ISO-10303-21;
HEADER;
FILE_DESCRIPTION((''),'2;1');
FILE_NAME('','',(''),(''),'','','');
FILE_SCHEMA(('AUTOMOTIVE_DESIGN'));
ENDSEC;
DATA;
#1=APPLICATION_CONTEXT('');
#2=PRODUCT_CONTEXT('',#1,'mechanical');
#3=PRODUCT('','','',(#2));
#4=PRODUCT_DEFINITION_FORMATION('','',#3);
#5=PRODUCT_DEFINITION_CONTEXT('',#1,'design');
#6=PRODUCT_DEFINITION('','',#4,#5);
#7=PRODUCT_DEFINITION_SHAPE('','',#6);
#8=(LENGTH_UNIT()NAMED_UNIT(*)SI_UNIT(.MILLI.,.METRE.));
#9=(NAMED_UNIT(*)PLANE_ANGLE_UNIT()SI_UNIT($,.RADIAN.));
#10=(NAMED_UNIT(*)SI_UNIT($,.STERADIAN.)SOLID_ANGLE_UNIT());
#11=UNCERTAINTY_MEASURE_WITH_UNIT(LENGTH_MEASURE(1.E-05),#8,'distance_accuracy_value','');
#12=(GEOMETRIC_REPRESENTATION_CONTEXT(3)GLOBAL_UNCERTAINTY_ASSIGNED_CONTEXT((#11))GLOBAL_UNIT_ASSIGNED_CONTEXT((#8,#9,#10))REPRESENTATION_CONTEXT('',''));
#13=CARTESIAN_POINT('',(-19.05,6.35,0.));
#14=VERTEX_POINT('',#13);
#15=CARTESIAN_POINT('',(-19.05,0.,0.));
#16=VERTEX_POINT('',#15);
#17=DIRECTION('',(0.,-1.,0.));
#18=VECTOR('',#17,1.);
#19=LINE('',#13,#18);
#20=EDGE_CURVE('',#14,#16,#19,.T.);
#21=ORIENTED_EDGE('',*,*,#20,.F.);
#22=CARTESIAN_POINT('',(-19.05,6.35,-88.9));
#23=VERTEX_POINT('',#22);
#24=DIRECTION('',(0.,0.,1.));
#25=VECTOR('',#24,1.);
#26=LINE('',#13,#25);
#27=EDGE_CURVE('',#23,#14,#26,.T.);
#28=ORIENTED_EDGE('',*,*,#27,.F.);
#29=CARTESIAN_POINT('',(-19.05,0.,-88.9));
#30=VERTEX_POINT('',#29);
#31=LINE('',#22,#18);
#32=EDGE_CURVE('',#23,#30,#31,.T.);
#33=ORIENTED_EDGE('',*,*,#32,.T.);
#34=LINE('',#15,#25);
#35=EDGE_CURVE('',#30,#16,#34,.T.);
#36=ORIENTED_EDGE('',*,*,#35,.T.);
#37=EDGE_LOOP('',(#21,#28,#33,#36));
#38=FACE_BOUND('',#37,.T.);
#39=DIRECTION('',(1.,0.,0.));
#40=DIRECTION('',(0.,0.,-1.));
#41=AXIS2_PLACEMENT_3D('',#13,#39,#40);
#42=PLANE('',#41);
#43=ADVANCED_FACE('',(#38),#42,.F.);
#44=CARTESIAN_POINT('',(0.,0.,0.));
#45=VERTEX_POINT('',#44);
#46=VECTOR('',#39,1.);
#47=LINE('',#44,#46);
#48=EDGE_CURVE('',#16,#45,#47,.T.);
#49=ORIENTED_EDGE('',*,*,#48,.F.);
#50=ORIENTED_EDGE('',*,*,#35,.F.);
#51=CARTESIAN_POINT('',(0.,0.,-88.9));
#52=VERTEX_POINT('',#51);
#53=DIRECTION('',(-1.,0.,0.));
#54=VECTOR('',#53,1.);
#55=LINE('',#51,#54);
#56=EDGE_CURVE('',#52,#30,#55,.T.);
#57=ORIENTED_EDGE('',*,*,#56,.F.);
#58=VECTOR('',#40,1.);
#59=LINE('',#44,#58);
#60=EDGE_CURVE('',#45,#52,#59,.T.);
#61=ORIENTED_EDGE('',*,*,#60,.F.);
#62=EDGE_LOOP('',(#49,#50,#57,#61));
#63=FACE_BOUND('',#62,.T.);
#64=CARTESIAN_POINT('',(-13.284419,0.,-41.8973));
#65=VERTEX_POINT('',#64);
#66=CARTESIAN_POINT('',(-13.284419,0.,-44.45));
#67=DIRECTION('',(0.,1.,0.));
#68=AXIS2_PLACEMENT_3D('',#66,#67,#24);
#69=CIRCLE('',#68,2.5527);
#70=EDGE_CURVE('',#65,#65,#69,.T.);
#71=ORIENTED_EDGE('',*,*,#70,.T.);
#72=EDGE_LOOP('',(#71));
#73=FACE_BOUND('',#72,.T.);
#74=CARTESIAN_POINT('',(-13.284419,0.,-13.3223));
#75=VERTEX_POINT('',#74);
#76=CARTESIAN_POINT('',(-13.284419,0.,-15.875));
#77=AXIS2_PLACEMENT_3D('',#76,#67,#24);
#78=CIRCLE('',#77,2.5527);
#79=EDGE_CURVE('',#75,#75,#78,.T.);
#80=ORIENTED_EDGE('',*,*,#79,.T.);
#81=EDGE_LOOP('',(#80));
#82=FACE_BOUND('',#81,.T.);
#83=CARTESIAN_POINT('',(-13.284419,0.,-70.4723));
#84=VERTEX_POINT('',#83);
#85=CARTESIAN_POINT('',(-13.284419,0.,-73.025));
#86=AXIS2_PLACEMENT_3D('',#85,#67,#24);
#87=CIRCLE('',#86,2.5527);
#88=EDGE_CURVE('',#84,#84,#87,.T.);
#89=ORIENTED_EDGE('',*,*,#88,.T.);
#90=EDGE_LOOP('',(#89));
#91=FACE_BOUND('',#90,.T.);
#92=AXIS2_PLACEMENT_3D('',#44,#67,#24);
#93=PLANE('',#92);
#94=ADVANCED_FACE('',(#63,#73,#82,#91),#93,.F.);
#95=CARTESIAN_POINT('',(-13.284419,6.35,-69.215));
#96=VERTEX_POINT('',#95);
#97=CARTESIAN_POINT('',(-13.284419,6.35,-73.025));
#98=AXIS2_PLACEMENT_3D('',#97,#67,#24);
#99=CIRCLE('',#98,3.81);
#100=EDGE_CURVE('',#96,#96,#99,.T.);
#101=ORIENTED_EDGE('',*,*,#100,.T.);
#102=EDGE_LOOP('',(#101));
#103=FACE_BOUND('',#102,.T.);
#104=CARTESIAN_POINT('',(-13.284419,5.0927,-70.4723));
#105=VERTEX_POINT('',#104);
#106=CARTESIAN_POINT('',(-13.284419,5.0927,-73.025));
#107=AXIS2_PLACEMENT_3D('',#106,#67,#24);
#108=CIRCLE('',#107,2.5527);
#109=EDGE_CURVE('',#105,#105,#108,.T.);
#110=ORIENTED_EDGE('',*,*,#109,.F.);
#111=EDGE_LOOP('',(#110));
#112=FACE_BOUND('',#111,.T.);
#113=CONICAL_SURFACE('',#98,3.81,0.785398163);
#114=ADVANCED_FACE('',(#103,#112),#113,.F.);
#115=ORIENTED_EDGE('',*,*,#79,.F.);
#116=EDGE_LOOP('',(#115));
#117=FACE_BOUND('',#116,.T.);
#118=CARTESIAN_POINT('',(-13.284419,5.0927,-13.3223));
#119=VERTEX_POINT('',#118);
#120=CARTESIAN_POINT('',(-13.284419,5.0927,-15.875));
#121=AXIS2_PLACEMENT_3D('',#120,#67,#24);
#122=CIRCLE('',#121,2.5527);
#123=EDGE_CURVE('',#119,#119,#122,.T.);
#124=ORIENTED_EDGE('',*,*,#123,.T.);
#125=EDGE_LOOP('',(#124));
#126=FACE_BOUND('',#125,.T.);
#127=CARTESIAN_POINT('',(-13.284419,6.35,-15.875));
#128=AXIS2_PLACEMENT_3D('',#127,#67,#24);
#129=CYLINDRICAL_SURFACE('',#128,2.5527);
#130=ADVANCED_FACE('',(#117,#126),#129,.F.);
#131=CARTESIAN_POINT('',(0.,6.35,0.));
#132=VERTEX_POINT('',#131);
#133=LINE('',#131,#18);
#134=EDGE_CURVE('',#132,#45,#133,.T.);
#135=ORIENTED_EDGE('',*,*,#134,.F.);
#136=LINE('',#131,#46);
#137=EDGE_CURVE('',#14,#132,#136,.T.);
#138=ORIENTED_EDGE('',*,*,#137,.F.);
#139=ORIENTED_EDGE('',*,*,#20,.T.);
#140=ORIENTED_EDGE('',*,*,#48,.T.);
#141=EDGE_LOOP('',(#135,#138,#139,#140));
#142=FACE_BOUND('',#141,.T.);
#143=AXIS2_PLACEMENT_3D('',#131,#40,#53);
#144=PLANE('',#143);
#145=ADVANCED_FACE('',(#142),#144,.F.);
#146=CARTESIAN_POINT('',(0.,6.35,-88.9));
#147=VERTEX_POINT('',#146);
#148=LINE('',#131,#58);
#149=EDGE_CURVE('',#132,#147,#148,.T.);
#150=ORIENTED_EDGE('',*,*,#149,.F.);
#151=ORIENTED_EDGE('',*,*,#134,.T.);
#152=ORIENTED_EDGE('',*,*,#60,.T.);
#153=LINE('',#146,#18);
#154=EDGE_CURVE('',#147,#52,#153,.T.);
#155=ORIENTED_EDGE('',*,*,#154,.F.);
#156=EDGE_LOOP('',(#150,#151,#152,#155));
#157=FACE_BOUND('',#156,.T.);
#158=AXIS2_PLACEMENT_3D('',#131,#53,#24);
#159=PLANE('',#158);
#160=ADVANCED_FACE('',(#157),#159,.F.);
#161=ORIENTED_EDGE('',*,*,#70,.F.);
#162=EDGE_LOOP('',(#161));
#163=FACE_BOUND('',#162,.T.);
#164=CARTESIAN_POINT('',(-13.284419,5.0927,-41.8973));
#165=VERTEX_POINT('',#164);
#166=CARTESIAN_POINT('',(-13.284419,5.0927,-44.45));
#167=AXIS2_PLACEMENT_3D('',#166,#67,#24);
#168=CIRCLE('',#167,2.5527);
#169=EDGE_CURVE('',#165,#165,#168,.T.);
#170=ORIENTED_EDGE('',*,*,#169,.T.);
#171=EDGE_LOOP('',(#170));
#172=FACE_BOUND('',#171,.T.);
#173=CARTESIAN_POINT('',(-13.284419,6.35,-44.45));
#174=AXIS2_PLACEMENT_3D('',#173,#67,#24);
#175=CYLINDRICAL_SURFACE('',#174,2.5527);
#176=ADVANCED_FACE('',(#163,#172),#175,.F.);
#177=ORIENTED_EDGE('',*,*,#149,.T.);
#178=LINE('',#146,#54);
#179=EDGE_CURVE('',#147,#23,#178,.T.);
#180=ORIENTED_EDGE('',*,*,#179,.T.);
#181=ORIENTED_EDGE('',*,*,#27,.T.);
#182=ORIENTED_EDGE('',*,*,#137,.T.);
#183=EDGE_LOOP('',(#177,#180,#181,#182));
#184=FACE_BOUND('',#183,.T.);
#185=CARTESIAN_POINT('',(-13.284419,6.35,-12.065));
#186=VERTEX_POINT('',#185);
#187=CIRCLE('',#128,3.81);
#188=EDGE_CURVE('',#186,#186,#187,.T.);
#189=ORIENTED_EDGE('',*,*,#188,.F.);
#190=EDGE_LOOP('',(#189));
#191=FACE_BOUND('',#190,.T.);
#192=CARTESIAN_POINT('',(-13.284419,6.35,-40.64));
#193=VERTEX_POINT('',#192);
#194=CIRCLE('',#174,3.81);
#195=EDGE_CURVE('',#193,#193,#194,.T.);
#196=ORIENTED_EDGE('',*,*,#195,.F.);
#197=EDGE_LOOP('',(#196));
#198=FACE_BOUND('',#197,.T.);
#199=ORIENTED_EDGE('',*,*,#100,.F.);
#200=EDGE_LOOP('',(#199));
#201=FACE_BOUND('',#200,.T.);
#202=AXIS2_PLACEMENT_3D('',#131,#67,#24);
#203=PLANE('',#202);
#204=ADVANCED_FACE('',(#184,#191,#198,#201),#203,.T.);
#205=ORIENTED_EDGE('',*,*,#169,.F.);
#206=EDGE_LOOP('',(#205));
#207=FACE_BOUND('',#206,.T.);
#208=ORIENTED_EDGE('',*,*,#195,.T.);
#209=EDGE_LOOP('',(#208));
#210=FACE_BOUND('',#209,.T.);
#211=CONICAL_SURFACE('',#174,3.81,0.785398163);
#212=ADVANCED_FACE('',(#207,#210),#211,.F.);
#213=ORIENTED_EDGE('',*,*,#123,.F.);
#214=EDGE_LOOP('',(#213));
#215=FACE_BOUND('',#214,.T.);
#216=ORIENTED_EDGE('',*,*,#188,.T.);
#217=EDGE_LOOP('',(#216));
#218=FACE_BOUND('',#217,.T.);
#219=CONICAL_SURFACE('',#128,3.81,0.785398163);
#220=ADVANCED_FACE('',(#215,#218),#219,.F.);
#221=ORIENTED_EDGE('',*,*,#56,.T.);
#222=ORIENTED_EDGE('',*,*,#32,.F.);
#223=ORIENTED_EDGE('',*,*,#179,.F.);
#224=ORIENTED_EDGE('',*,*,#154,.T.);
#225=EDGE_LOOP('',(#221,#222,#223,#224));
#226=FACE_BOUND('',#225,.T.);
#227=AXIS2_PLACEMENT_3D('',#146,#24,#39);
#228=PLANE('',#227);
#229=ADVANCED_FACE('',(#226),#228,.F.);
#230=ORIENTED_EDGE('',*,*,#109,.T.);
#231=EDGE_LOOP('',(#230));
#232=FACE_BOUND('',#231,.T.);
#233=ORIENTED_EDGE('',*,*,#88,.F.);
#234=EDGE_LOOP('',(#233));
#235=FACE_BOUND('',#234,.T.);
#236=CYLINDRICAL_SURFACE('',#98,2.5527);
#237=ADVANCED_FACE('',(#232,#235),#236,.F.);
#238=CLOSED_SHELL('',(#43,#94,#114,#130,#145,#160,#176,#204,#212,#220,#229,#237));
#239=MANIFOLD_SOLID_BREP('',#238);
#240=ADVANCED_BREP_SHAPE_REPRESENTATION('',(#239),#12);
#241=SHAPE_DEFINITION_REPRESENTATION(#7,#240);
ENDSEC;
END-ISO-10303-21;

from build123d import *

# Parameters (mm, degrees)
SKETCH1_W                         = 19.05
SKETCH1_H                         = 88.9
BOSS_EXTRUDE1_DEPTH               = 6.35
F_1_4_20_TAPPED_HOLE1_D           = 5.1054
F_1_4_20_TAPPED_HOLE1_CSINK_D     = 7.62
F_1_4_20_TAPPED_HOLE1_CSINK_ANGLE = 90


with BuildPart() as part:
    # Sketch1 → Boss-Extrude1 (new body)
    with BuildSketch(Plane(origin=(0, 0, 0), x_dir=(1, 0, 0), z_dir=(0, 1, 0))):
        with Locations((-9.525, 44.45)):
            Rectangle(SKETCH1_W, SKETCH1_H)
    extrude(amount=BOSS_EXTRUDE1_DEPTH)

    # 1/4-20 Tapped Hole1 (through all)
    with Locations(Plane(origin=(0, 6.35, 0), x_dir=(1, 0, 0), z_dir=(0, 1, 0))):
        with Locations((-13.284419072, 15.875), (-13.284419072, 44.45), (-13.284419072, 73.025)):
            CounterSinkHole(F_1_4_20_TAPPED_HOLE1_D / 2, F_1_4_20_TAPPED_HOLE1_CSINK_D / 2, counter_sink_angle=F_1_4_20_TAPPED_HOLE1_CSINK_ANGLE)


solid = part.part
